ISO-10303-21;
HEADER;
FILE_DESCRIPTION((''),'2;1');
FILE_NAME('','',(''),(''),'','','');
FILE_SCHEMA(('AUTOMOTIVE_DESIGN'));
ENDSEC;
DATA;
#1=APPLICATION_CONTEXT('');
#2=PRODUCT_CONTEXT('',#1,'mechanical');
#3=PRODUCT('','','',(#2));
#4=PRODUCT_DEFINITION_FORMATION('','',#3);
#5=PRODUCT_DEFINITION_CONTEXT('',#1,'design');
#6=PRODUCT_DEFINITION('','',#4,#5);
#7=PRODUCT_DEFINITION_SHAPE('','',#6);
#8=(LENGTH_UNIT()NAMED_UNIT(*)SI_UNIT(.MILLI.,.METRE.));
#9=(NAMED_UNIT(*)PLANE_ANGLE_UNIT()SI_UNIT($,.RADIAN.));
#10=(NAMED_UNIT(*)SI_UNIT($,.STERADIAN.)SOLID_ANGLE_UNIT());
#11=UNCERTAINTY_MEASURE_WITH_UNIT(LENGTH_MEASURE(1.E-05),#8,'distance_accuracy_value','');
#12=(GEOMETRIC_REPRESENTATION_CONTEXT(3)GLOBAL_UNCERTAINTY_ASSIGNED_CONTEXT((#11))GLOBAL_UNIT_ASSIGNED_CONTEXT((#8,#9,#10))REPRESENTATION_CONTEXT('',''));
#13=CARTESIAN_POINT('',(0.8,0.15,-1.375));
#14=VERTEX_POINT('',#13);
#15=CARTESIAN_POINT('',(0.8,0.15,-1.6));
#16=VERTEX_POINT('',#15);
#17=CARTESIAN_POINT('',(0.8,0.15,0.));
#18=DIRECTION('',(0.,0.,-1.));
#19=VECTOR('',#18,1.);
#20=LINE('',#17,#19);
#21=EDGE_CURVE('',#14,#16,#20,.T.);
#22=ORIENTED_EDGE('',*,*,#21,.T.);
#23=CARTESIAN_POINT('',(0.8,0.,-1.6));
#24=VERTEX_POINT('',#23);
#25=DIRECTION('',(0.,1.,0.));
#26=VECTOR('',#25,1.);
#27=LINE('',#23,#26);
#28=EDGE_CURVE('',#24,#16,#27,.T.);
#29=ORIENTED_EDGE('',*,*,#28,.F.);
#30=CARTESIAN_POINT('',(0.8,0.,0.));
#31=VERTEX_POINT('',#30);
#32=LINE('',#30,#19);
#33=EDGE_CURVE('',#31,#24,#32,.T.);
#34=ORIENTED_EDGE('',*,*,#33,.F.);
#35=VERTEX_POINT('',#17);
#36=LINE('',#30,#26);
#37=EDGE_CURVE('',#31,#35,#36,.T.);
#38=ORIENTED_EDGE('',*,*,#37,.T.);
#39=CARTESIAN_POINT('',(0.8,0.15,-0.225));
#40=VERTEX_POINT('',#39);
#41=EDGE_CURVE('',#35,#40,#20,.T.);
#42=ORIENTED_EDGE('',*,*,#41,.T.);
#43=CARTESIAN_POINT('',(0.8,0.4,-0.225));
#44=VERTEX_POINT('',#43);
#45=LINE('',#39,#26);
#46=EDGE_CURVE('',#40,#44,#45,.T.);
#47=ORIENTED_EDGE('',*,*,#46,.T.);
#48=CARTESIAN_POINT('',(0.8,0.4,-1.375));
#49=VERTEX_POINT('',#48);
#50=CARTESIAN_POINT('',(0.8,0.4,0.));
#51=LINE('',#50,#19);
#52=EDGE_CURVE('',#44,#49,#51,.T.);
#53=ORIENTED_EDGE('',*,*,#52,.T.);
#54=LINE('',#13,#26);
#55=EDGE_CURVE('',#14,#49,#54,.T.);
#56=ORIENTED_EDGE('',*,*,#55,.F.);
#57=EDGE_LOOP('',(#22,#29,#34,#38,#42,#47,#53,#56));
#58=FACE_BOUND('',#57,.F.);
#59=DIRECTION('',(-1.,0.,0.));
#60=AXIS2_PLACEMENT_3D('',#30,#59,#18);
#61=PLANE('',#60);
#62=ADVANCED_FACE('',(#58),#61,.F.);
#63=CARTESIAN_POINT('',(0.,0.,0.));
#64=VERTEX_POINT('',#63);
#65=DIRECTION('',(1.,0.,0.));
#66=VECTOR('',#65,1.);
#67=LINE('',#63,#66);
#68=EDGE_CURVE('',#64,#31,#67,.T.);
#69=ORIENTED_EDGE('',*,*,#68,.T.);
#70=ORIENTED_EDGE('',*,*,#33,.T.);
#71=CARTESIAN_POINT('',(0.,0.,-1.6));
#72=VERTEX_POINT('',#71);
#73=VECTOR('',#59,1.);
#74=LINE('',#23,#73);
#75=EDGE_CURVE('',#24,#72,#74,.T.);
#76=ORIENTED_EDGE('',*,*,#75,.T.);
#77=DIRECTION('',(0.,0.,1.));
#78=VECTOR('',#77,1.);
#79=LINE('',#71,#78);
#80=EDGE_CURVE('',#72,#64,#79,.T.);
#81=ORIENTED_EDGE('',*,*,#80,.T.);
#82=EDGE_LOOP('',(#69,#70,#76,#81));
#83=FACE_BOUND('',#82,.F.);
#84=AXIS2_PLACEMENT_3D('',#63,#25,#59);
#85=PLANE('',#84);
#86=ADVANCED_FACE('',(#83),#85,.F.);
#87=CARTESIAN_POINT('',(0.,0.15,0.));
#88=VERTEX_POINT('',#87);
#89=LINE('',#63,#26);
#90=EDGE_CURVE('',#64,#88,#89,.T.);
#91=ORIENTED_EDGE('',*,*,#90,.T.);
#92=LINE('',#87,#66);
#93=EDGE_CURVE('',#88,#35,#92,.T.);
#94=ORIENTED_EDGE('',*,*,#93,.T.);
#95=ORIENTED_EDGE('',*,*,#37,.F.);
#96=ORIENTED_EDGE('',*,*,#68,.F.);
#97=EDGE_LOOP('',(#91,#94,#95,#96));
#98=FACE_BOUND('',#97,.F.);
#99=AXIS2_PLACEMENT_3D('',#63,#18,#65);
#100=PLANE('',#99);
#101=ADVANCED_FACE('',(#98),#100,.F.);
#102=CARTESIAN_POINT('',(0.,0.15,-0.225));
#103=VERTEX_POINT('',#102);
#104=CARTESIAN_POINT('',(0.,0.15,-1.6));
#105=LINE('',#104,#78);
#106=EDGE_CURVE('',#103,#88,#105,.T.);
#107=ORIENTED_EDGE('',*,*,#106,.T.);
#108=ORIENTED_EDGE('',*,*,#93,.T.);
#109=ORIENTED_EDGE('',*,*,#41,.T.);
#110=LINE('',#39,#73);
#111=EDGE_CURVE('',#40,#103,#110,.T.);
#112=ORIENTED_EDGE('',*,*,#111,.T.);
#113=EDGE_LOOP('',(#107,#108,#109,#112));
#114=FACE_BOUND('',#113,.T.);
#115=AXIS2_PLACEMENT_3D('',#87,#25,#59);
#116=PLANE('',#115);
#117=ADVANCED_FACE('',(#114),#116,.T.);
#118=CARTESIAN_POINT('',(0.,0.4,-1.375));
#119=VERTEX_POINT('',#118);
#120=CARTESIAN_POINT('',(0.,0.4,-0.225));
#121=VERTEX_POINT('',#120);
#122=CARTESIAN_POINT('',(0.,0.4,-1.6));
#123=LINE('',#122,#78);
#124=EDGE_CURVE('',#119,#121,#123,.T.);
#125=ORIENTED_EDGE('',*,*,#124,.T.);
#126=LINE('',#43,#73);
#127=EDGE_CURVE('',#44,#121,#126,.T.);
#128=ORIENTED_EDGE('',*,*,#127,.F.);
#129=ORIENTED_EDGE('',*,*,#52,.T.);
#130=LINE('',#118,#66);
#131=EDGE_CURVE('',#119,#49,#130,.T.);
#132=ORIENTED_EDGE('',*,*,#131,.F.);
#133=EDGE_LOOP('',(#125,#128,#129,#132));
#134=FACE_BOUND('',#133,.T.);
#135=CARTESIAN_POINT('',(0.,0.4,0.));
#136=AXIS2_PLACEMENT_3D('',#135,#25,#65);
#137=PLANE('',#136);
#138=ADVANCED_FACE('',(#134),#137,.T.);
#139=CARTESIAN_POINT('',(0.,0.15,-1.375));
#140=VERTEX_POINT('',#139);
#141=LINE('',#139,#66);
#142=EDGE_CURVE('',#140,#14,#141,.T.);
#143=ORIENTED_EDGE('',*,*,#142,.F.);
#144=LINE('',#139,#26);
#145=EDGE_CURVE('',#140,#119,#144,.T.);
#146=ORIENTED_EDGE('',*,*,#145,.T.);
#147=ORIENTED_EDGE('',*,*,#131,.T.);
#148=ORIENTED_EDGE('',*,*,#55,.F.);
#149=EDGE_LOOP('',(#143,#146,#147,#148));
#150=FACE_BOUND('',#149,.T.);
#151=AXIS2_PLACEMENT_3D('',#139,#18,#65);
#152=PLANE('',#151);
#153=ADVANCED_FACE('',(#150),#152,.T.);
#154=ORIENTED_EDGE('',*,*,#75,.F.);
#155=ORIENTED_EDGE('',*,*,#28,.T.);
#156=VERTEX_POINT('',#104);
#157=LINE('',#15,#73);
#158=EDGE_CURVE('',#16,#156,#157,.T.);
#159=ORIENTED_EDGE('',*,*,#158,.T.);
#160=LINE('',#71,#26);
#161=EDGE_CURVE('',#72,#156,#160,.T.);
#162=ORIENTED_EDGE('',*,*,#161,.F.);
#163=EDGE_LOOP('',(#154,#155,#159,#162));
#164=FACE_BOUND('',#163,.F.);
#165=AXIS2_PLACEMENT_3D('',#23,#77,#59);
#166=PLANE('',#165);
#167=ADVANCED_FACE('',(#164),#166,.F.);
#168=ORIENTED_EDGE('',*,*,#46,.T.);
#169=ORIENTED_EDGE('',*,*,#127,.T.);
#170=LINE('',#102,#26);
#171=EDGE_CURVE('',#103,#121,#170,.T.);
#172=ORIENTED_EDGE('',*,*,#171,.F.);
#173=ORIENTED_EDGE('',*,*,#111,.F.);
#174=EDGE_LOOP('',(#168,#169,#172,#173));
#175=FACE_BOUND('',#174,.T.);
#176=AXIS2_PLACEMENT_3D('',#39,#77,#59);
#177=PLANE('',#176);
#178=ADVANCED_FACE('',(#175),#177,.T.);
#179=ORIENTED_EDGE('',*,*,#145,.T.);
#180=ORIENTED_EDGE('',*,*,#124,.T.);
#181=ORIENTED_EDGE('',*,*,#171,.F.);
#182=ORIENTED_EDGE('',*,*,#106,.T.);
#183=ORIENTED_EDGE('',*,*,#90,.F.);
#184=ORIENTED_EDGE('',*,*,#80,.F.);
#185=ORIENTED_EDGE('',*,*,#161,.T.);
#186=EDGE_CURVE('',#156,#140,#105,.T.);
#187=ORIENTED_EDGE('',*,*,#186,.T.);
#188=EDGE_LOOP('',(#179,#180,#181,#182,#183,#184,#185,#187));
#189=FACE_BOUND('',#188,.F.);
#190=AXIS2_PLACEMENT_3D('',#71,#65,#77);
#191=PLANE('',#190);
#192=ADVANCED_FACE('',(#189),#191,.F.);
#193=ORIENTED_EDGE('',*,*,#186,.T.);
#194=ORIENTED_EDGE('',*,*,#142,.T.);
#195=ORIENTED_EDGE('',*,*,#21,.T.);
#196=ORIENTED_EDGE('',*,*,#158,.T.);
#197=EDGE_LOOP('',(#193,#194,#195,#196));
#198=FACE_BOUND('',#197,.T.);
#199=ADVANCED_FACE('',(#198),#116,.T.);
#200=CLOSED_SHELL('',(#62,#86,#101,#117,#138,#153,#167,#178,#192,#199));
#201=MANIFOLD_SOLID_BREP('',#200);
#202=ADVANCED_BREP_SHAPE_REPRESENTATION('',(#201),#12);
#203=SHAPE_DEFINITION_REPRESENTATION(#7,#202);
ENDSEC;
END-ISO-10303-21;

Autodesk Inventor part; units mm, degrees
ref_plane "YZ Plane" through (0, 0, 0) normal (1, 0, 0) x (0, 1, 0)
ref_plane "XZ Plane" through (0, 0, 0) normal (0, 1, 0) x (-1, 0, 0)
ref_plane "XY Plane" through (0, 0, 0) normal (0, 0, 1) x (1, 0, 0)
sketch "Sketch1" plane through (0, 0, 0) normal (0, 1, 0) x (-1, 0, 0)
  line L0 (0, 0) -> (-0.8, 0)
  line L1 (-0.8, 0) -> (-0.8, -1.6)
  line L2 (-0.8, -1.6) -> (0, -1.6)
  line L3 (0, -1.6) -> (0, 0)
  dimension "LWQ38EQ1003K6L1_x" = 0.8
  dimension "LWQ38EQ1003K6L1_y" = 1.6
extrude "Extrusion1" add sketch "Sketch1" along normal blind 0.15
sketch "Sketch2" plane through (0, 0.15, 0) normal (0, 1, 0) x (1, 0, 0)
  line L0 (0, 1.6) -> (0, 0) projected
  line L1 (0.8, 0) -> (0.8, 1.6) projected
  line L2 (0, 1.375) -> (0.8, 1.375)
  line L3 (0.8, 1.375) -> (0.8, 0.225)
  line L4 (0.8, 0.225) -> (0, 0.225)
  line L5 (0, 0.225) -> (0, 1.375)
  line L6 (0, 0) -> (0.8, 0) projected
  dimension "d4" = 1.15
  dimension "d5" = 0.225
extrude "Extrusion2" add sketch "Sketch2" along normal blind 0.25 contours L2 L1 L4 L0
equation "\"d5\" = -0.5 * d4 + 0.5 * LWQ38EQ1003K6L1_y"
properties part number "LW-Q38E-Q100-3K6L-1"
